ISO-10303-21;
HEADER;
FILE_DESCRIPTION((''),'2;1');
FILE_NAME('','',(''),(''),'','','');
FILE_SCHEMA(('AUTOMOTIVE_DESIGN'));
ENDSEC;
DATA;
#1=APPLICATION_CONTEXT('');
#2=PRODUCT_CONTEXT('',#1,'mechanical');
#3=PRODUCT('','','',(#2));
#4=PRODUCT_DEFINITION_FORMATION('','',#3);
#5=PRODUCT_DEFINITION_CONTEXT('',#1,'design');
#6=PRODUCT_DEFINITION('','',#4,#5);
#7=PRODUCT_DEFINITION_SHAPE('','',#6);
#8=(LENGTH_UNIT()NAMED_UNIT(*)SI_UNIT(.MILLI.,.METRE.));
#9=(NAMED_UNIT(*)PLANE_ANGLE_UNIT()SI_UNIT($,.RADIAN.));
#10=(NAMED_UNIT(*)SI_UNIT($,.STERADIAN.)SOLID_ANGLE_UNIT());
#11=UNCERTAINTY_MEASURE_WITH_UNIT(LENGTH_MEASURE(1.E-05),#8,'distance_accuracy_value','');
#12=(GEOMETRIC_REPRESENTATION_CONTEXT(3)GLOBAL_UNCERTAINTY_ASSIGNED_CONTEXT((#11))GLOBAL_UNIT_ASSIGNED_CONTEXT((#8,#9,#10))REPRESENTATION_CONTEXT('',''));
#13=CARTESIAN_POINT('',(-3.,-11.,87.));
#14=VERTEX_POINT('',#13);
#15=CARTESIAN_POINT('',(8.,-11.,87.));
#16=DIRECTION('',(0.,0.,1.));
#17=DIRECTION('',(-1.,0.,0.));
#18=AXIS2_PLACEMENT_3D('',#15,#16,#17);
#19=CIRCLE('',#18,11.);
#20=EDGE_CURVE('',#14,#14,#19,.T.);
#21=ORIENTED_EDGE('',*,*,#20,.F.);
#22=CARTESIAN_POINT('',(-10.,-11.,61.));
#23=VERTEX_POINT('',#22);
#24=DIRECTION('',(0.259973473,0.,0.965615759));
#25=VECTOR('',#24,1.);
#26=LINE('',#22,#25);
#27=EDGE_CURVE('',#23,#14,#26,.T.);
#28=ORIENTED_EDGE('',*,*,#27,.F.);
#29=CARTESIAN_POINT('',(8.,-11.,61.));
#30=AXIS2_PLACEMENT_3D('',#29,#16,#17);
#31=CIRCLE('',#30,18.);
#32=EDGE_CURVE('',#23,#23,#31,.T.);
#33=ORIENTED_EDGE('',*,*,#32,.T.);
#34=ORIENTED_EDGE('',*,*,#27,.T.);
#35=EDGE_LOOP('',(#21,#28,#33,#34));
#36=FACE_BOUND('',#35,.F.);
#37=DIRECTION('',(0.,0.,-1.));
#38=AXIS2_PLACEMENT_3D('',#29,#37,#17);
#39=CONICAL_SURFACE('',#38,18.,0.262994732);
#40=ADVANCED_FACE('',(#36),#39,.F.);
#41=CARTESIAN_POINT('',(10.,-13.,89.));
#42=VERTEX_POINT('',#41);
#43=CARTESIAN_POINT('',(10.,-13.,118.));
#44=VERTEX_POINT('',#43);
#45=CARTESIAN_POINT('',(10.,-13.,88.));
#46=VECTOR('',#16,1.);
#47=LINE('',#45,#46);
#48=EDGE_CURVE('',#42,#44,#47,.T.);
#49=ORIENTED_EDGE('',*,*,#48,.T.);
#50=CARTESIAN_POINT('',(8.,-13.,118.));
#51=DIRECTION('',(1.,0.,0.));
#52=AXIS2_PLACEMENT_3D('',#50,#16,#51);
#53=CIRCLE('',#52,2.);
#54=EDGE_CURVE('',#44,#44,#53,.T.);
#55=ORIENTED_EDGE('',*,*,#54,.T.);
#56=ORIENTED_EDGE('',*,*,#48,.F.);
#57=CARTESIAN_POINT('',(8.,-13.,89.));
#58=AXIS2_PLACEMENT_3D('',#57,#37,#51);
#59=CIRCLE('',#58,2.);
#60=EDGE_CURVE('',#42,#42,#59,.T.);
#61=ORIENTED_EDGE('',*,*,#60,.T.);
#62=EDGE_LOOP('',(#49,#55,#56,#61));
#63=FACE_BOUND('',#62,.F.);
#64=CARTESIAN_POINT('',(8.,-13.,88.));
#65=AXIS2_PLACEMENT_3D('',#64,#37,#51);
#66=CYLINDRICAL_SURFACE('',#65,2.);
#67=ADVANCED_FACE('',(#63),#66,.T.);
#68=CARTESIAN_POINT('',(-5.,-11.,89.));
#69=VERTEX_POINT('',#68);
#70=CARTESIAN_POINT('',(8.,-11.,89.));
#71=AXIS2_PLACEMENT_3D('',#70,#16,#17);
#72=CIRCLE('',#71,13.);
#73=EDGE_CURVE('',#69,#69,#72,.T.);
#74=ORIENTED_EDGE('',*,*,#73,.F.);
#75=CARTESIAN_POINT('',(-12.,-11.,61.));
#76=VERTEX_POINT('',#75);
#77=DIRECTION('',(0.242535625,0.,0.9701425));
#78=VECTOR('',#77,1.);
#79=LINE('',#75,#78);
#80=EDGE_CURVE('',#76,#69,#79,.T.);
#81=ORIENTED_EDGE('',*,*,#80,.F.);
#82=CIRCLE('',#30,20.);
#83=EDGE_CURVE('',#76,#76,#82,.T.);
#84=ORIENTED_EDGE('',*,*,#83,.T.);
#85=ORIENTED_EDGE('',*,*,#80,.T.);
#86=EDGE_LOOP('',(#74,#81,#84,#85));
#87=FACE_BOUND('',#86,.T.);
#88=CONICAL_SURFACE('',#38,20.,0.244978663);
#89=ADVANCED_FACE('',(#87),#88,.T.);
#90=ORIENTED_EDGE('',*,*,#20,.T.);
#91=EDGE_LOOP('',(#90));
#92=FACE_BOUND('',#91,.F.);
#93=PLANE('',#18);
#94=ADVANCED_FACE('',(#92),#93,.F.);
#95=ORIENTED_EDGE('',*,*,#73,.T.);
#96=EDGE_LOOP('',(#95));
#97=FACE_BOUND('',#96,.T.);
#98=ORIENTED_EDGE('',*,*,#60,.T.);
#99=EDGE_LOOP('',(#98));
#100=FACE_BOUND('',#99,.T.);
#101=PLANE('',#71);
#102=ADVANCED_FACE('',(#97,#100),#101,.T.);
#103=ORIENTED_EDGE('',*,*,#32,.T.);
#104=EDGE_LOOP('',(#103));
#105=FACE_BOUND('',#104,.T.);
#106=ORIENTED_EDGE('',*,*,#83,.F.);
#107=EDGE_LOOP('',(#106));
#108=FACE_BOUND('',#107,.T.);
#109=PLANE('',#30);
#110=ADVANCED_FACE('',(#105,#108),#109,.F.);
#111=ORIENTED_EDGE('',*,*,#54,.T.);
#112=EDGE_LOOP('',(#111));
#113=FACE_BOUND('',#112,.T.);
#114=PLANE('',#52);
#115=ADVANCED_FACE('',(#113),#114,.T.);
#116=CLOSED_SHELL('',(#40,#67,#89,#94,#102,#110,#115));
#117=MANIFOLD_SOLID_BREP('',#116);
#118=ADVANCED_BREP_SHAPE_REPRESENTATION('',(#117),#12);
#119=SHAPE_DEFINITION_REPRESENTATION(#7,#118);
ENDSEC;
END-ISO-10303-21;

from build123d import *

# Parameters (mm, degrees)
CYLINDER086_R     = 2
CYLINDER086_DEPTH = 30


with BuildPart() as cylindre082:
    # Cylinder086 → Cylinder086 (new body)
    with BuildSketch(Plane(origin=(8, -13, 88), x_dir=(1, 0, 0), z_dir=(0, 0, 1))):
        Circle(CYLINDER086_R)
    extrude(amount=CYLINDER086_DEPTH)


with BuildPart() as c_ne017:
    # Cone017 → Cone017 (revolve)
    with BuildSketch(Plane(origin=(8, -11, 73), x_dir=(-1, 0, 0), z_dir=(0, 1, 0))):
        Polygon((0, 0), (18, 0), (11, 26), (0, 26), align=None)
    revolve(axis=Axis((8, -11, 73), (0, 0, 1)))


with BuildPart() as fusion047:
    # Cone018 → Cone018 (revolve)
    with BuildSketch(Plane(origin=(8, -11, 73), x_dir=(-1, 0, 0), z_dir=(0, 1, 0))):
        Polygon((0, 0), (20, 0), (13, 28), (0, 28), align=None)
    revolve(axis=Axis((8, -11, 73), (0, 0, 1)))

    # Cut044: cut Cône017
    add(c_ne017.part, mode=Mode.SUBTRACT)


with BuildPart() as fusion047_1:
    # Cut044 placement: moved
    add(fusion047.part.moved(Location((0, 0, -12))))

    # Fusion047: union Cylindre082
    add(cylindre082.part)


solid = fusion047_1.part
